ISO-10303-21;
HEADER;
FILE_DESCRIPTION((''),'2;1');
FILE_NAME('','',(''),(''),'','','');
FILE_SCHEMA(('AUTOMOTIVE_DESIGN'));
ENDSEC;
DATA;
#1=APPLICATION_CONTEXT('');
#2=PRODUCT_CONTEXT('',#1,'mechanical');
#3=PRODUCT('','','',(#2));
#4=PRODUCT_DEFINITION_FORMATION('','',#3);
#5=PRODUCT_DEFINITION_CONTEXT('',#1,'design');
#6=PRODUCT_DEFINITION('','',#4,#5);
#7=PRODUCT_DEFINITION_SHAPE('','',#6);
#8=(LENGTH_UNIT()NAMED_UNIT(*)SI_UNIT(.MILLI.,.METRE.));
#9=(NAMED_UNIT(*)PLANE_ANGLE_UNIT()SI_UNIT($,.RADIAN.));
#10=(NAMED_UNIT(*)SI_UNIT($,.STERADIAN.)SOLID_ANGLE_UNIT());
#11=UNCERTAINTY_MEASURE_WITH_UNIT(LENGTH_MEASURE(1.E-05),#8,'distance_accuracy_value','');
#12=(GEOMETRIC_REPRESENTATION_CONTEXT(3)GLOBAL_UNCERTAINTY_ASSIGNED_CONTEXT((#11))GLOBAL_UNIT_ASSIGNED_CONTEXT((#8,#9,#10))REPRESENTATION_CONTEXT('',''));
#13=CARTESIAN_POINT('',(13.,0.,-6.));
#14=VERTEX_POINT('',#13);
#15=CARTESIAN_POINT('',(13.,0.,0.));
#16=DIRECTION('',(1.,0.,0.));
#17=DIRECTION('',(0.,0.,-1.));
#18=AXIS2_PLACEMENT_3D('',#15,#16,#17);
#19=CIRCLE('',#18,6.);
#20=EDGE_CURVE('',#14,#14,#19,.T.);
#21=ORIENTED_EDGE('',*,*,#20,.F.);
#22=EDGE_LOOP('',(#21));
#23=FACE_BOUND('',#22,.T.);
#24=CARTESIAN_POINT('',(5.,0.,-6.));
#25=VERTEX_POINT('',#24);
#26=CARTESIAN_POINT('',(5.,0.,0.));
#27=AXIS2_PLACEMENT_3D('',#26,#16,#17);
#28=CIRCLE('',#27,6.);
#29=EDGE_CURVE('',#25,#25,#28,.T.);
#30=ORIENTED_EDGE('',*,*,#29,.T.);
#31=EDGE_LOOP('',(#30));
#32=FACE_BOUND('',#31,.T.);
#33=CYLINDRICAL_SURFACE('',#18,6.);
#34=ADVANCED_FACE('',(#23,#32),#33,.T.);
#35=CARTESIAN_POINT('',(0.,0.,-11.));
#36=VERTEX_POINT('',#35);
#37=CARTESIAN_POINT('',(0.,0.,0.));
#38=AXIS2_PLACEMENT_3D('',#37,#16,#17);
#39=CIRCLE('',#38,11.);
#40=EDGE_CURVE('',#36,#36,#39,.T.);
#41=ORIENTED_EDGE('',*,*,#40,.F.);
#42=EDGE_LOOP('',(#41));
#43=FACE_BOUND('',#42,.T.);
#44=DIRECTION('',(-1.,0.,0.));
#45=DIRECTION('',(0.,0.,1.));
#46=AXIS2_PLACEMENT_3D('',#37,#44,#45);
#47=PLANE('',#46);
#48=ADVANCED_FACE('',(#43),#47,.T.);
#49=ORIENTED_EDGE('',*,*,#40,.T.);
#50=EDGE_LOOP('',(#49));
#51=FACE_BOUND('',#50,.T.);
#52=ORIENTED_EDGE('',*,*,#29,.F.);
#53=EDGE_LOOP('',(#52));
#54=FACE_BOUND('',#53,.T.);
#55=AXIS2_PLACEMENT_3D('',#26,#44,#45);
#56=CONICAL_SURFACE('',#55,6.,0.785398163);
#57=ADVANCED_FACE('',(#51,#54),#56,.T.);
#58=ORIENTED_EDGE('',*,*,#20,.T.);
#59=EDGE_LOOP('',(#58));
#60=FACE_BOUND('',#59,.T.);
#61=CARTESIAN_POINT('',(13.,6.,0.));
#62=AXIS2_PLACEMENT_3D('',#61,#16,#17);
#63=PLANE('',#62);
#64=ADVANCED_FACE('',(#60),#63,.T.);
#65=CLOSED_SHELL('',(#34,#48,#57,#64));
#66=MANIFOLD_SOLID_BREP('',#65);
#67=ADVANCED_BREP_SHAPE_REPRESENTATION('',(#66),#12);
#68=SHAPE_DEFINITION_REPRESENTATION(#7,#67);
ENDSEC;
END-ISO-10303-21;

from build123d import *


with BuildPart() as part:
    # Sketch2 → Revolve1 (revolve)
    with BuildSketch(Plane.XY, mode=Mode.PRIVATE) as revolve1_sk:
        Polygon((0, 0), (0, 11), (5, 6), (13, 6), (13, 0), align=None)
    revolve(revolve1_sk.sketch.rotate(Axis((13, 0, 0), (-1, 0, 0)), 90), axis=Axis((13, 0, 0), (-1, 0, 0)))


solid = part.part
